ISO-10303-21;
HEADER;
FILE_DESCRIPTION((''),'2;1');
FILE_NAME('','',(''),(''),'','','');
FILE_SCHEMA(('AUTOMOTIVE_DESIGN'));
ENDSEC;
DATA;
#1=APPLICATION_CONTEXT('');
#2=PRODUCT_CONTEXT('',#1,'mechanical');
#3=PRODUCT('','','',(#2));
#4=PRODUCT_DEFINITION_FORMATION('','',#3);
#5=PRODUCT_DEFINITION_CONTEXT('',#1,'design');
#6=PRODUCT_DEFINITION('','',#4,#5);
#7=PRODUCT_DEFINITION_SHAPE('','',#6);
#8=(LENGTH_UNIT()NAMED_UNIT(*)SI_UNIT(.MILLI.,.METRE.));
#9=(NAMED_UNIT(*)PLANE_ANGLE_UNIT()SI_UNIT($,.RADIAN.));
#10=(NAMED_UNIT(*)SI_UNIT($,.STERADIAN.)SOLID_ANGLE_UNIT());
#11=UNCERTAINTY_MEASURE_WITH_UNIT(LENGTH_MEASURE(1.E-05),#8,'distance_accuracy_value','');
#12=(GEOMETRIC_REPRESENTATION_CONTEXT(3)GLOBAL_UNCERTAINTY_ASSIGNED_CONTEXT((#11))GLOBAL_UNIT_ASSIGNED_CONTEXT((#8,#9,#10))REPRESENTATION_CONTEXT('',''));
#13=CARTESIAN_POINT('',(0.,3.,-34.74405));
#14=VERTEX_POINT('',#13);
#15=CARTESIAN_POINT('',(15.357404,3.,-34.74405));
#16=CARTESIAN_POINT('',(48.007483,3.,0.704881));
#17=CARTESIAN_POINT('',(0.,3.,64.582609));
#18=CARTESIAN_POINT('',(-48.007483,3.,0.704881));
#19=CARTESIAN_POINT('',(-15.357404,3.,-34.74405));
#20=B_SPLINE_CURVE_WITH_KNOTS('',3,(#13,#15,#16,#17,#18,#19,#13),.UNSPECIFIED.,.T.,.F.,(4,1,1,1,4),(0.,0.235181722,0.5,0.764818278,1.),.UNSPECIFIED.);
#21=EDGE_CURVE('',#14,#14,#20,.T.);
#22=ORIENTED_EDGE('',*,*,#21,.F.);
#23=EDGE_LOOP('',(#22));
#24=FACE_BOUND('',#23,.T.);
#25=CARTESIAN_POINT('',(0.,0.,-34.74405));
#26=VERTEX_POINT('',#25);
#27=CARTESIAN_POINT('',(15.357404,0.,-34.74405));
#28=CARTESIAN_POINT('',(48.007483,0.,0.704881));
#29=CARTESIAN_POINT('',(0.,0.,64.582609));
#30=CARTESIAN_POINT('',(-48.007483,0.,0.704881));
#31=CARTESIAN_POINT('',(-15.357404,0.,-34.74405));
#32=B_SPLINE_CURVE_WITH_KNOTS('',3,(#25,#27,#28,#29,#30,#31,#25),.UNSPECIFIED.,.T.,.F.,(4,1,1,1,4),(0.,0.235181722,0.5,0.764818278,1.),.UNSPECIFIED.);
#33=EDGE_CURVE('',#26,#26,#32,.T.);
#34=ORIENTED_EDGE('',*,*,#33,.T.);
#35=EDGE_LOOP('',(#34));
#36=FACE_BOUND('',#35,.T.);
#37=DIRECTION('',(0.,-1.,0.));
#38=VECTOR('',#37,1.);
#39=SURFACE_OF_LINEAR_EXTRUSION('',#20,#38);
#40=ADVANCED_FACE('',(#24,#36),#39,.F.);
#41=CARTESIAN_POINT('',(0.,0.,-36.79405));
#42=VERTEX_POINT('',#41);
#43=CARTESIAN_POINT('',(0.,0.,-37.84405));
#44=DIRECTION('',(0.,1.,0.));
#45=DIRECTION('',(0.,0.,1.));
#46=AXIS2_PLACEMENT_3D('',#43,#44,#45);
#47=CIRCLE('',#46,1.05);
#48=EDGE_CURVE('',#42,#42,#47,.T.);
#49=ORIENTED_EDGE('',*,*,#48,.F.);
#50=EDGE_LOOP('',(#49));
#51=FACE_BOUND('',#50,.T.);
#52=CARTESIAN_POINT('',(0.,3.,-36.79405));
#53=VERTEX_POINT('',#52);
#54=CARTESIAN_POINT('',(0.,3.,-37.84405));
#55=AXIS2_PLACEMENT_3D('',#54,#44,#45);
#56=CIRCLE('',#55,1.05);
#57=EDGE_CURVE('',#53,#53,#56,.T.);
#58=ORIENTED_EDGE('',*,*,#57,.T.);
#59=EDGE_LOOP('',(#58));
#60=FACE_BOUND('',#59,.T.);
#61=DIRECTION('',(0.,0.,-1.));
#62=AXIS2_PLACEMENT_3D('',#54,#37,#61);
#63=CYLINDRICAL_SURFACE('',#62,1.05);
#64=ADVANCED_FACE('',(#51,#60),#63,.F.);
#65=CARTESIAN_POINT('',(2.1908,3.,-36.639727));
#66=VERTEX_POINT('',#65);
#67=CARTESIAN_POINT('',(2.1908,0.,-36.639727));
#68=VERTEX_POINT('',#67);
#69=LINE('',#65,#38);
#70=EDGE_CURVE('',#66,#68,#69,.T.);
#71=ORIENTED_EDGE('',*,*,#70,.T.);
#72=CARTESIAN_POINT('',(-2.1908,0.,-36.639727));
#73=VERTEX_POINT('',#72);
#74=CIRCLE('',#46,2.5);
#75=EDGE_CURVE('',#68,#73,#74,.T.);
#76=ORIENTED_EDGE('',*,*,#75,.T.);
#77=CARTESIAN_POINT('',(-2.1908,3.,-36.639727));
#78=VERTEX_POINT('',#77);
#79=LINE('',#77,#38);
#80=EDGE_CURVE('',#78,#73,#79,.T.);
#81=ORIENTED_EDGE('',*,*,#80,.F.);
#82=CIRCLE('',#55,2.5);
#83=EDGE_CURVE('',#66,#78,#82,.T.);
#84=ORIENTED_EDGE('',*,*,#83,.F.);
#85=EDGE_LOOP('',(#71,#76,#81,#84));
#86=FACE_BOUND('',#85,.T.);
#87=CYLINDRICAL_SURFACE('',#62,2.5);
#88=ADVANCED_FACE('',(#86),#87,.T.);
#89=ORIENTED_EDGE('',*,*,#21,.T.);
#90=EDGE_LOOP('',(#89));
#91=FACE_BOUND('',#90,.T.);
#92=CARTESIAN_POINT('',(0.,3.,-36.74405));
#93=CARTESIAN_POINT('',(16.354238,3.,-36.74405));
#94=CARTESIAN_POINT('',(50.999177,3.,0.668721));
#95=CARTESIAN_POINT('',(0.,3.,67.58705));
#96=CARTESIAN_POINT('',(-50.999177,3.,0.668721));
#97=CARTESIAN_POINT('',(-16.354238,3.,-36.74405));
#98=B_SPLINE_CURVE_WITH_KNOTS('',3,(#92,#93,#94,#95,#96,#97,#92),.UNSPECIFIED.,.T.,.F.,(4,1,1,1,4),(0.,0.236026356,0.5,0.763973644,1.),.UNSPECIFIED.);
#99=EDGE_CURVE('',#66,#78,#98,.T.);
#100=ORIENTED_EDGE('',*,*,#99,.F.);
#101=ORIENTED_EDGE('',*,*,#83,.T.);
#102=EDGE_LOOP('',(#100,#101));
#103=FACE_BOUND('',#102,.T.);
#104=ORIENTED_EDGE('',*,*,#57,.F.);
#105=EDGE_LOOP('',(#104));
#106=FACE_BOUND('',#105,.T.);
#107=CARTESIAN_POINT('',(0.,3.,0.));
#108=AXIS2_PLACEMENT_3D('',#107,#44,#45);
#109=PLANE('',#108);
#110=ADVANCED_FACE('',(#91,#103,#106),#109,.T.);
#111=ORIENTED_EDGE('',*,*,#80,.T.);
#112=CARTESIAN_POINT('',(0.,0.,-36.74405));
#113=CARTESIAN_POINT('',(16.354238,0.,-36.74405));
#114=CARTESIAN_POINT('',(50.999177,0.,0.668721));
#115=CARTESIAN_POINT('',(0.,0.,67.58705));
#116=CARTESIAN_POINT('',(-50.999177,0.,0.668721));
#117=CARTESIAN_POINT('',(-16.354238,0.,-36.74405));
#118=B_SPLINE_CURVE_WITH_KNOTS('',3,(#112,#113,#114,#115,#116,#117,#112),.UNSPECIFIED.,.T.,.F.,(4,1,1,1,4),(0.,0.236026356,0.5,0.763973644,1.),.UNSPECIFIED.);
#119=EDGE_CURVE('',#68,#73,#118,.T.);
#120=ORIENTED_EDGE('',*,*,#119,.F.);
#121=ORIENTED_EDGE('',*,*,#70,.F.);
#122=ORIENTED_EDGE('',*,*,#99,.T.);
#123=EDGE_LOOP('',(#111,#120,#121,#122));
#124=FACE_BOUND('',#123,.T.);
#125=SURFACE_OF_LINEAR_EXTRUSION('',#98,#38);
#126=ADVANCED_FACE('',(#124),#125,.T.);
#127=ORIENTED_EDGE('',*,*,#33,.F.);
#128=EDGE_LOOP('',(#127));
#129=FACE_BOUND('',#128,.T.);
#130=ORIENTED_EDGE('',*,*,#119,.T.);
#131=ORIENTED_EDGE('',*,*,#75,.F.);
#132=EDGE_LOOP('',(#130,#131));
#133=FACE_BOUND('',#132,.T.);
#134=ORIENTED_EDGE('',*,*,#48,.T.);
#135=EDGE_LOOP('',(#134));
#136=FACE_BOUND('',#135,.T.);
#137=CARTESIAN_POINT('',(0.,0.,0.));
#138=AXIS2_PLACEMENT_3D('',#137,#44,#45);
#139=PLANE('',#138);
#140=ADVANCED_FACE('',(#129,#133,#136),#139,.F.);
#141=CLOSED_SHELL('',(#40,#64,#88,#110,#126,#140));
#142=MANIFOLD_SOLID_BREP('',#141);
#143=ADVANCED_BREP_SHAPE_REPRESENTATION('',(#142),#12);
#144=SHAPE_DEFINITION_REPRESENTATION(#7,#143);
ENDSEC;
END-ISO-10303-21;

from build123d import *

# Parameters (mm, degrees)
SKETCH1_R           = 1.05
BOSS_EXTRUDE1_DEPTH = 3


with BuildPart() as part:
    # Sketch1 → Boss-Extrude1 (new body)
    # profile 1 of 2: a face of its own
    with BuildSketch(Plane(origin=(0, 0, 0), x_dir=(1, 0, 0), z_dir=(0, 1, 0))):
        with BuildLine():
            add(Edge.make_bspline(
                [(0, 36.74405), (0.730717393, 36.74405), (1.461434786, 36.708792733), (2.190800135, 36.639726634)],
                knots=[0, 0, 0, 0, 0.010545803, 0.010545803, 0.010545803, 0.010545803], degree=3))
            ThreePointArc((2.190800135, 36.639726634), (0, 40.34405), (-2.190800135, 36.639726634))
            add(Edge.make_bspline(
                [(-2.190800135, 36.639726634), (-1.461434786, 36.708792733), (-0.730717393, 36.74405), (0, 36.74405)],
                knots=[0.989454197, 0.989454197, 0.989454197, 0.989454197, 1, 1, 1, 1], degree=3))
        make_face()
        with Locations(Location((0, 37.84405, 0), (0, 0, 270))):
            Circle(SKETCH1_R, mode=Mode.SUBTRACT)
    # profile 2 of 2: a face of its own
    with BuildSketch(Plane(origin=(0, 0, 0), x_dir=(1, 0, 0), z_dir=(0, 1, 0))):
        with BuildLine():
            add(Edge.make_bspline(
                [(0, 36.74405), (16.354237743, 36.74405), (50.999177464, -0.668721052), (0, -67.587050309), (-50.999177464, -0.668721052), (-16.354237743, 36.74405), (0, 36.74405)],
                knots=[0, 0, 0, 0, 0.236026356, 0.5, 0.763973644, 1, 1, 1, 1], degree=3))
        make_face()
        with BuildLine():
            add(Edge.make_bspline(
                [(0, 34.74405), (15.357403663, 34.74405), (48.007482795, -0.70488126), (0, -64.582608992), (-48.007482795, -0.70488126), (-15.357403663, 34.74405), (0, 34.74405)],
                knots=[0, 0, 0, 0, 0.235181722, 0.5, 0.764818278, 1, 1, 1, 1], degree=3))
        make_face(mode=Mode.SUBTRACT)
    extrude(amount=BOSS_EXTRUDE1_DEPTH)


solid = part.part
